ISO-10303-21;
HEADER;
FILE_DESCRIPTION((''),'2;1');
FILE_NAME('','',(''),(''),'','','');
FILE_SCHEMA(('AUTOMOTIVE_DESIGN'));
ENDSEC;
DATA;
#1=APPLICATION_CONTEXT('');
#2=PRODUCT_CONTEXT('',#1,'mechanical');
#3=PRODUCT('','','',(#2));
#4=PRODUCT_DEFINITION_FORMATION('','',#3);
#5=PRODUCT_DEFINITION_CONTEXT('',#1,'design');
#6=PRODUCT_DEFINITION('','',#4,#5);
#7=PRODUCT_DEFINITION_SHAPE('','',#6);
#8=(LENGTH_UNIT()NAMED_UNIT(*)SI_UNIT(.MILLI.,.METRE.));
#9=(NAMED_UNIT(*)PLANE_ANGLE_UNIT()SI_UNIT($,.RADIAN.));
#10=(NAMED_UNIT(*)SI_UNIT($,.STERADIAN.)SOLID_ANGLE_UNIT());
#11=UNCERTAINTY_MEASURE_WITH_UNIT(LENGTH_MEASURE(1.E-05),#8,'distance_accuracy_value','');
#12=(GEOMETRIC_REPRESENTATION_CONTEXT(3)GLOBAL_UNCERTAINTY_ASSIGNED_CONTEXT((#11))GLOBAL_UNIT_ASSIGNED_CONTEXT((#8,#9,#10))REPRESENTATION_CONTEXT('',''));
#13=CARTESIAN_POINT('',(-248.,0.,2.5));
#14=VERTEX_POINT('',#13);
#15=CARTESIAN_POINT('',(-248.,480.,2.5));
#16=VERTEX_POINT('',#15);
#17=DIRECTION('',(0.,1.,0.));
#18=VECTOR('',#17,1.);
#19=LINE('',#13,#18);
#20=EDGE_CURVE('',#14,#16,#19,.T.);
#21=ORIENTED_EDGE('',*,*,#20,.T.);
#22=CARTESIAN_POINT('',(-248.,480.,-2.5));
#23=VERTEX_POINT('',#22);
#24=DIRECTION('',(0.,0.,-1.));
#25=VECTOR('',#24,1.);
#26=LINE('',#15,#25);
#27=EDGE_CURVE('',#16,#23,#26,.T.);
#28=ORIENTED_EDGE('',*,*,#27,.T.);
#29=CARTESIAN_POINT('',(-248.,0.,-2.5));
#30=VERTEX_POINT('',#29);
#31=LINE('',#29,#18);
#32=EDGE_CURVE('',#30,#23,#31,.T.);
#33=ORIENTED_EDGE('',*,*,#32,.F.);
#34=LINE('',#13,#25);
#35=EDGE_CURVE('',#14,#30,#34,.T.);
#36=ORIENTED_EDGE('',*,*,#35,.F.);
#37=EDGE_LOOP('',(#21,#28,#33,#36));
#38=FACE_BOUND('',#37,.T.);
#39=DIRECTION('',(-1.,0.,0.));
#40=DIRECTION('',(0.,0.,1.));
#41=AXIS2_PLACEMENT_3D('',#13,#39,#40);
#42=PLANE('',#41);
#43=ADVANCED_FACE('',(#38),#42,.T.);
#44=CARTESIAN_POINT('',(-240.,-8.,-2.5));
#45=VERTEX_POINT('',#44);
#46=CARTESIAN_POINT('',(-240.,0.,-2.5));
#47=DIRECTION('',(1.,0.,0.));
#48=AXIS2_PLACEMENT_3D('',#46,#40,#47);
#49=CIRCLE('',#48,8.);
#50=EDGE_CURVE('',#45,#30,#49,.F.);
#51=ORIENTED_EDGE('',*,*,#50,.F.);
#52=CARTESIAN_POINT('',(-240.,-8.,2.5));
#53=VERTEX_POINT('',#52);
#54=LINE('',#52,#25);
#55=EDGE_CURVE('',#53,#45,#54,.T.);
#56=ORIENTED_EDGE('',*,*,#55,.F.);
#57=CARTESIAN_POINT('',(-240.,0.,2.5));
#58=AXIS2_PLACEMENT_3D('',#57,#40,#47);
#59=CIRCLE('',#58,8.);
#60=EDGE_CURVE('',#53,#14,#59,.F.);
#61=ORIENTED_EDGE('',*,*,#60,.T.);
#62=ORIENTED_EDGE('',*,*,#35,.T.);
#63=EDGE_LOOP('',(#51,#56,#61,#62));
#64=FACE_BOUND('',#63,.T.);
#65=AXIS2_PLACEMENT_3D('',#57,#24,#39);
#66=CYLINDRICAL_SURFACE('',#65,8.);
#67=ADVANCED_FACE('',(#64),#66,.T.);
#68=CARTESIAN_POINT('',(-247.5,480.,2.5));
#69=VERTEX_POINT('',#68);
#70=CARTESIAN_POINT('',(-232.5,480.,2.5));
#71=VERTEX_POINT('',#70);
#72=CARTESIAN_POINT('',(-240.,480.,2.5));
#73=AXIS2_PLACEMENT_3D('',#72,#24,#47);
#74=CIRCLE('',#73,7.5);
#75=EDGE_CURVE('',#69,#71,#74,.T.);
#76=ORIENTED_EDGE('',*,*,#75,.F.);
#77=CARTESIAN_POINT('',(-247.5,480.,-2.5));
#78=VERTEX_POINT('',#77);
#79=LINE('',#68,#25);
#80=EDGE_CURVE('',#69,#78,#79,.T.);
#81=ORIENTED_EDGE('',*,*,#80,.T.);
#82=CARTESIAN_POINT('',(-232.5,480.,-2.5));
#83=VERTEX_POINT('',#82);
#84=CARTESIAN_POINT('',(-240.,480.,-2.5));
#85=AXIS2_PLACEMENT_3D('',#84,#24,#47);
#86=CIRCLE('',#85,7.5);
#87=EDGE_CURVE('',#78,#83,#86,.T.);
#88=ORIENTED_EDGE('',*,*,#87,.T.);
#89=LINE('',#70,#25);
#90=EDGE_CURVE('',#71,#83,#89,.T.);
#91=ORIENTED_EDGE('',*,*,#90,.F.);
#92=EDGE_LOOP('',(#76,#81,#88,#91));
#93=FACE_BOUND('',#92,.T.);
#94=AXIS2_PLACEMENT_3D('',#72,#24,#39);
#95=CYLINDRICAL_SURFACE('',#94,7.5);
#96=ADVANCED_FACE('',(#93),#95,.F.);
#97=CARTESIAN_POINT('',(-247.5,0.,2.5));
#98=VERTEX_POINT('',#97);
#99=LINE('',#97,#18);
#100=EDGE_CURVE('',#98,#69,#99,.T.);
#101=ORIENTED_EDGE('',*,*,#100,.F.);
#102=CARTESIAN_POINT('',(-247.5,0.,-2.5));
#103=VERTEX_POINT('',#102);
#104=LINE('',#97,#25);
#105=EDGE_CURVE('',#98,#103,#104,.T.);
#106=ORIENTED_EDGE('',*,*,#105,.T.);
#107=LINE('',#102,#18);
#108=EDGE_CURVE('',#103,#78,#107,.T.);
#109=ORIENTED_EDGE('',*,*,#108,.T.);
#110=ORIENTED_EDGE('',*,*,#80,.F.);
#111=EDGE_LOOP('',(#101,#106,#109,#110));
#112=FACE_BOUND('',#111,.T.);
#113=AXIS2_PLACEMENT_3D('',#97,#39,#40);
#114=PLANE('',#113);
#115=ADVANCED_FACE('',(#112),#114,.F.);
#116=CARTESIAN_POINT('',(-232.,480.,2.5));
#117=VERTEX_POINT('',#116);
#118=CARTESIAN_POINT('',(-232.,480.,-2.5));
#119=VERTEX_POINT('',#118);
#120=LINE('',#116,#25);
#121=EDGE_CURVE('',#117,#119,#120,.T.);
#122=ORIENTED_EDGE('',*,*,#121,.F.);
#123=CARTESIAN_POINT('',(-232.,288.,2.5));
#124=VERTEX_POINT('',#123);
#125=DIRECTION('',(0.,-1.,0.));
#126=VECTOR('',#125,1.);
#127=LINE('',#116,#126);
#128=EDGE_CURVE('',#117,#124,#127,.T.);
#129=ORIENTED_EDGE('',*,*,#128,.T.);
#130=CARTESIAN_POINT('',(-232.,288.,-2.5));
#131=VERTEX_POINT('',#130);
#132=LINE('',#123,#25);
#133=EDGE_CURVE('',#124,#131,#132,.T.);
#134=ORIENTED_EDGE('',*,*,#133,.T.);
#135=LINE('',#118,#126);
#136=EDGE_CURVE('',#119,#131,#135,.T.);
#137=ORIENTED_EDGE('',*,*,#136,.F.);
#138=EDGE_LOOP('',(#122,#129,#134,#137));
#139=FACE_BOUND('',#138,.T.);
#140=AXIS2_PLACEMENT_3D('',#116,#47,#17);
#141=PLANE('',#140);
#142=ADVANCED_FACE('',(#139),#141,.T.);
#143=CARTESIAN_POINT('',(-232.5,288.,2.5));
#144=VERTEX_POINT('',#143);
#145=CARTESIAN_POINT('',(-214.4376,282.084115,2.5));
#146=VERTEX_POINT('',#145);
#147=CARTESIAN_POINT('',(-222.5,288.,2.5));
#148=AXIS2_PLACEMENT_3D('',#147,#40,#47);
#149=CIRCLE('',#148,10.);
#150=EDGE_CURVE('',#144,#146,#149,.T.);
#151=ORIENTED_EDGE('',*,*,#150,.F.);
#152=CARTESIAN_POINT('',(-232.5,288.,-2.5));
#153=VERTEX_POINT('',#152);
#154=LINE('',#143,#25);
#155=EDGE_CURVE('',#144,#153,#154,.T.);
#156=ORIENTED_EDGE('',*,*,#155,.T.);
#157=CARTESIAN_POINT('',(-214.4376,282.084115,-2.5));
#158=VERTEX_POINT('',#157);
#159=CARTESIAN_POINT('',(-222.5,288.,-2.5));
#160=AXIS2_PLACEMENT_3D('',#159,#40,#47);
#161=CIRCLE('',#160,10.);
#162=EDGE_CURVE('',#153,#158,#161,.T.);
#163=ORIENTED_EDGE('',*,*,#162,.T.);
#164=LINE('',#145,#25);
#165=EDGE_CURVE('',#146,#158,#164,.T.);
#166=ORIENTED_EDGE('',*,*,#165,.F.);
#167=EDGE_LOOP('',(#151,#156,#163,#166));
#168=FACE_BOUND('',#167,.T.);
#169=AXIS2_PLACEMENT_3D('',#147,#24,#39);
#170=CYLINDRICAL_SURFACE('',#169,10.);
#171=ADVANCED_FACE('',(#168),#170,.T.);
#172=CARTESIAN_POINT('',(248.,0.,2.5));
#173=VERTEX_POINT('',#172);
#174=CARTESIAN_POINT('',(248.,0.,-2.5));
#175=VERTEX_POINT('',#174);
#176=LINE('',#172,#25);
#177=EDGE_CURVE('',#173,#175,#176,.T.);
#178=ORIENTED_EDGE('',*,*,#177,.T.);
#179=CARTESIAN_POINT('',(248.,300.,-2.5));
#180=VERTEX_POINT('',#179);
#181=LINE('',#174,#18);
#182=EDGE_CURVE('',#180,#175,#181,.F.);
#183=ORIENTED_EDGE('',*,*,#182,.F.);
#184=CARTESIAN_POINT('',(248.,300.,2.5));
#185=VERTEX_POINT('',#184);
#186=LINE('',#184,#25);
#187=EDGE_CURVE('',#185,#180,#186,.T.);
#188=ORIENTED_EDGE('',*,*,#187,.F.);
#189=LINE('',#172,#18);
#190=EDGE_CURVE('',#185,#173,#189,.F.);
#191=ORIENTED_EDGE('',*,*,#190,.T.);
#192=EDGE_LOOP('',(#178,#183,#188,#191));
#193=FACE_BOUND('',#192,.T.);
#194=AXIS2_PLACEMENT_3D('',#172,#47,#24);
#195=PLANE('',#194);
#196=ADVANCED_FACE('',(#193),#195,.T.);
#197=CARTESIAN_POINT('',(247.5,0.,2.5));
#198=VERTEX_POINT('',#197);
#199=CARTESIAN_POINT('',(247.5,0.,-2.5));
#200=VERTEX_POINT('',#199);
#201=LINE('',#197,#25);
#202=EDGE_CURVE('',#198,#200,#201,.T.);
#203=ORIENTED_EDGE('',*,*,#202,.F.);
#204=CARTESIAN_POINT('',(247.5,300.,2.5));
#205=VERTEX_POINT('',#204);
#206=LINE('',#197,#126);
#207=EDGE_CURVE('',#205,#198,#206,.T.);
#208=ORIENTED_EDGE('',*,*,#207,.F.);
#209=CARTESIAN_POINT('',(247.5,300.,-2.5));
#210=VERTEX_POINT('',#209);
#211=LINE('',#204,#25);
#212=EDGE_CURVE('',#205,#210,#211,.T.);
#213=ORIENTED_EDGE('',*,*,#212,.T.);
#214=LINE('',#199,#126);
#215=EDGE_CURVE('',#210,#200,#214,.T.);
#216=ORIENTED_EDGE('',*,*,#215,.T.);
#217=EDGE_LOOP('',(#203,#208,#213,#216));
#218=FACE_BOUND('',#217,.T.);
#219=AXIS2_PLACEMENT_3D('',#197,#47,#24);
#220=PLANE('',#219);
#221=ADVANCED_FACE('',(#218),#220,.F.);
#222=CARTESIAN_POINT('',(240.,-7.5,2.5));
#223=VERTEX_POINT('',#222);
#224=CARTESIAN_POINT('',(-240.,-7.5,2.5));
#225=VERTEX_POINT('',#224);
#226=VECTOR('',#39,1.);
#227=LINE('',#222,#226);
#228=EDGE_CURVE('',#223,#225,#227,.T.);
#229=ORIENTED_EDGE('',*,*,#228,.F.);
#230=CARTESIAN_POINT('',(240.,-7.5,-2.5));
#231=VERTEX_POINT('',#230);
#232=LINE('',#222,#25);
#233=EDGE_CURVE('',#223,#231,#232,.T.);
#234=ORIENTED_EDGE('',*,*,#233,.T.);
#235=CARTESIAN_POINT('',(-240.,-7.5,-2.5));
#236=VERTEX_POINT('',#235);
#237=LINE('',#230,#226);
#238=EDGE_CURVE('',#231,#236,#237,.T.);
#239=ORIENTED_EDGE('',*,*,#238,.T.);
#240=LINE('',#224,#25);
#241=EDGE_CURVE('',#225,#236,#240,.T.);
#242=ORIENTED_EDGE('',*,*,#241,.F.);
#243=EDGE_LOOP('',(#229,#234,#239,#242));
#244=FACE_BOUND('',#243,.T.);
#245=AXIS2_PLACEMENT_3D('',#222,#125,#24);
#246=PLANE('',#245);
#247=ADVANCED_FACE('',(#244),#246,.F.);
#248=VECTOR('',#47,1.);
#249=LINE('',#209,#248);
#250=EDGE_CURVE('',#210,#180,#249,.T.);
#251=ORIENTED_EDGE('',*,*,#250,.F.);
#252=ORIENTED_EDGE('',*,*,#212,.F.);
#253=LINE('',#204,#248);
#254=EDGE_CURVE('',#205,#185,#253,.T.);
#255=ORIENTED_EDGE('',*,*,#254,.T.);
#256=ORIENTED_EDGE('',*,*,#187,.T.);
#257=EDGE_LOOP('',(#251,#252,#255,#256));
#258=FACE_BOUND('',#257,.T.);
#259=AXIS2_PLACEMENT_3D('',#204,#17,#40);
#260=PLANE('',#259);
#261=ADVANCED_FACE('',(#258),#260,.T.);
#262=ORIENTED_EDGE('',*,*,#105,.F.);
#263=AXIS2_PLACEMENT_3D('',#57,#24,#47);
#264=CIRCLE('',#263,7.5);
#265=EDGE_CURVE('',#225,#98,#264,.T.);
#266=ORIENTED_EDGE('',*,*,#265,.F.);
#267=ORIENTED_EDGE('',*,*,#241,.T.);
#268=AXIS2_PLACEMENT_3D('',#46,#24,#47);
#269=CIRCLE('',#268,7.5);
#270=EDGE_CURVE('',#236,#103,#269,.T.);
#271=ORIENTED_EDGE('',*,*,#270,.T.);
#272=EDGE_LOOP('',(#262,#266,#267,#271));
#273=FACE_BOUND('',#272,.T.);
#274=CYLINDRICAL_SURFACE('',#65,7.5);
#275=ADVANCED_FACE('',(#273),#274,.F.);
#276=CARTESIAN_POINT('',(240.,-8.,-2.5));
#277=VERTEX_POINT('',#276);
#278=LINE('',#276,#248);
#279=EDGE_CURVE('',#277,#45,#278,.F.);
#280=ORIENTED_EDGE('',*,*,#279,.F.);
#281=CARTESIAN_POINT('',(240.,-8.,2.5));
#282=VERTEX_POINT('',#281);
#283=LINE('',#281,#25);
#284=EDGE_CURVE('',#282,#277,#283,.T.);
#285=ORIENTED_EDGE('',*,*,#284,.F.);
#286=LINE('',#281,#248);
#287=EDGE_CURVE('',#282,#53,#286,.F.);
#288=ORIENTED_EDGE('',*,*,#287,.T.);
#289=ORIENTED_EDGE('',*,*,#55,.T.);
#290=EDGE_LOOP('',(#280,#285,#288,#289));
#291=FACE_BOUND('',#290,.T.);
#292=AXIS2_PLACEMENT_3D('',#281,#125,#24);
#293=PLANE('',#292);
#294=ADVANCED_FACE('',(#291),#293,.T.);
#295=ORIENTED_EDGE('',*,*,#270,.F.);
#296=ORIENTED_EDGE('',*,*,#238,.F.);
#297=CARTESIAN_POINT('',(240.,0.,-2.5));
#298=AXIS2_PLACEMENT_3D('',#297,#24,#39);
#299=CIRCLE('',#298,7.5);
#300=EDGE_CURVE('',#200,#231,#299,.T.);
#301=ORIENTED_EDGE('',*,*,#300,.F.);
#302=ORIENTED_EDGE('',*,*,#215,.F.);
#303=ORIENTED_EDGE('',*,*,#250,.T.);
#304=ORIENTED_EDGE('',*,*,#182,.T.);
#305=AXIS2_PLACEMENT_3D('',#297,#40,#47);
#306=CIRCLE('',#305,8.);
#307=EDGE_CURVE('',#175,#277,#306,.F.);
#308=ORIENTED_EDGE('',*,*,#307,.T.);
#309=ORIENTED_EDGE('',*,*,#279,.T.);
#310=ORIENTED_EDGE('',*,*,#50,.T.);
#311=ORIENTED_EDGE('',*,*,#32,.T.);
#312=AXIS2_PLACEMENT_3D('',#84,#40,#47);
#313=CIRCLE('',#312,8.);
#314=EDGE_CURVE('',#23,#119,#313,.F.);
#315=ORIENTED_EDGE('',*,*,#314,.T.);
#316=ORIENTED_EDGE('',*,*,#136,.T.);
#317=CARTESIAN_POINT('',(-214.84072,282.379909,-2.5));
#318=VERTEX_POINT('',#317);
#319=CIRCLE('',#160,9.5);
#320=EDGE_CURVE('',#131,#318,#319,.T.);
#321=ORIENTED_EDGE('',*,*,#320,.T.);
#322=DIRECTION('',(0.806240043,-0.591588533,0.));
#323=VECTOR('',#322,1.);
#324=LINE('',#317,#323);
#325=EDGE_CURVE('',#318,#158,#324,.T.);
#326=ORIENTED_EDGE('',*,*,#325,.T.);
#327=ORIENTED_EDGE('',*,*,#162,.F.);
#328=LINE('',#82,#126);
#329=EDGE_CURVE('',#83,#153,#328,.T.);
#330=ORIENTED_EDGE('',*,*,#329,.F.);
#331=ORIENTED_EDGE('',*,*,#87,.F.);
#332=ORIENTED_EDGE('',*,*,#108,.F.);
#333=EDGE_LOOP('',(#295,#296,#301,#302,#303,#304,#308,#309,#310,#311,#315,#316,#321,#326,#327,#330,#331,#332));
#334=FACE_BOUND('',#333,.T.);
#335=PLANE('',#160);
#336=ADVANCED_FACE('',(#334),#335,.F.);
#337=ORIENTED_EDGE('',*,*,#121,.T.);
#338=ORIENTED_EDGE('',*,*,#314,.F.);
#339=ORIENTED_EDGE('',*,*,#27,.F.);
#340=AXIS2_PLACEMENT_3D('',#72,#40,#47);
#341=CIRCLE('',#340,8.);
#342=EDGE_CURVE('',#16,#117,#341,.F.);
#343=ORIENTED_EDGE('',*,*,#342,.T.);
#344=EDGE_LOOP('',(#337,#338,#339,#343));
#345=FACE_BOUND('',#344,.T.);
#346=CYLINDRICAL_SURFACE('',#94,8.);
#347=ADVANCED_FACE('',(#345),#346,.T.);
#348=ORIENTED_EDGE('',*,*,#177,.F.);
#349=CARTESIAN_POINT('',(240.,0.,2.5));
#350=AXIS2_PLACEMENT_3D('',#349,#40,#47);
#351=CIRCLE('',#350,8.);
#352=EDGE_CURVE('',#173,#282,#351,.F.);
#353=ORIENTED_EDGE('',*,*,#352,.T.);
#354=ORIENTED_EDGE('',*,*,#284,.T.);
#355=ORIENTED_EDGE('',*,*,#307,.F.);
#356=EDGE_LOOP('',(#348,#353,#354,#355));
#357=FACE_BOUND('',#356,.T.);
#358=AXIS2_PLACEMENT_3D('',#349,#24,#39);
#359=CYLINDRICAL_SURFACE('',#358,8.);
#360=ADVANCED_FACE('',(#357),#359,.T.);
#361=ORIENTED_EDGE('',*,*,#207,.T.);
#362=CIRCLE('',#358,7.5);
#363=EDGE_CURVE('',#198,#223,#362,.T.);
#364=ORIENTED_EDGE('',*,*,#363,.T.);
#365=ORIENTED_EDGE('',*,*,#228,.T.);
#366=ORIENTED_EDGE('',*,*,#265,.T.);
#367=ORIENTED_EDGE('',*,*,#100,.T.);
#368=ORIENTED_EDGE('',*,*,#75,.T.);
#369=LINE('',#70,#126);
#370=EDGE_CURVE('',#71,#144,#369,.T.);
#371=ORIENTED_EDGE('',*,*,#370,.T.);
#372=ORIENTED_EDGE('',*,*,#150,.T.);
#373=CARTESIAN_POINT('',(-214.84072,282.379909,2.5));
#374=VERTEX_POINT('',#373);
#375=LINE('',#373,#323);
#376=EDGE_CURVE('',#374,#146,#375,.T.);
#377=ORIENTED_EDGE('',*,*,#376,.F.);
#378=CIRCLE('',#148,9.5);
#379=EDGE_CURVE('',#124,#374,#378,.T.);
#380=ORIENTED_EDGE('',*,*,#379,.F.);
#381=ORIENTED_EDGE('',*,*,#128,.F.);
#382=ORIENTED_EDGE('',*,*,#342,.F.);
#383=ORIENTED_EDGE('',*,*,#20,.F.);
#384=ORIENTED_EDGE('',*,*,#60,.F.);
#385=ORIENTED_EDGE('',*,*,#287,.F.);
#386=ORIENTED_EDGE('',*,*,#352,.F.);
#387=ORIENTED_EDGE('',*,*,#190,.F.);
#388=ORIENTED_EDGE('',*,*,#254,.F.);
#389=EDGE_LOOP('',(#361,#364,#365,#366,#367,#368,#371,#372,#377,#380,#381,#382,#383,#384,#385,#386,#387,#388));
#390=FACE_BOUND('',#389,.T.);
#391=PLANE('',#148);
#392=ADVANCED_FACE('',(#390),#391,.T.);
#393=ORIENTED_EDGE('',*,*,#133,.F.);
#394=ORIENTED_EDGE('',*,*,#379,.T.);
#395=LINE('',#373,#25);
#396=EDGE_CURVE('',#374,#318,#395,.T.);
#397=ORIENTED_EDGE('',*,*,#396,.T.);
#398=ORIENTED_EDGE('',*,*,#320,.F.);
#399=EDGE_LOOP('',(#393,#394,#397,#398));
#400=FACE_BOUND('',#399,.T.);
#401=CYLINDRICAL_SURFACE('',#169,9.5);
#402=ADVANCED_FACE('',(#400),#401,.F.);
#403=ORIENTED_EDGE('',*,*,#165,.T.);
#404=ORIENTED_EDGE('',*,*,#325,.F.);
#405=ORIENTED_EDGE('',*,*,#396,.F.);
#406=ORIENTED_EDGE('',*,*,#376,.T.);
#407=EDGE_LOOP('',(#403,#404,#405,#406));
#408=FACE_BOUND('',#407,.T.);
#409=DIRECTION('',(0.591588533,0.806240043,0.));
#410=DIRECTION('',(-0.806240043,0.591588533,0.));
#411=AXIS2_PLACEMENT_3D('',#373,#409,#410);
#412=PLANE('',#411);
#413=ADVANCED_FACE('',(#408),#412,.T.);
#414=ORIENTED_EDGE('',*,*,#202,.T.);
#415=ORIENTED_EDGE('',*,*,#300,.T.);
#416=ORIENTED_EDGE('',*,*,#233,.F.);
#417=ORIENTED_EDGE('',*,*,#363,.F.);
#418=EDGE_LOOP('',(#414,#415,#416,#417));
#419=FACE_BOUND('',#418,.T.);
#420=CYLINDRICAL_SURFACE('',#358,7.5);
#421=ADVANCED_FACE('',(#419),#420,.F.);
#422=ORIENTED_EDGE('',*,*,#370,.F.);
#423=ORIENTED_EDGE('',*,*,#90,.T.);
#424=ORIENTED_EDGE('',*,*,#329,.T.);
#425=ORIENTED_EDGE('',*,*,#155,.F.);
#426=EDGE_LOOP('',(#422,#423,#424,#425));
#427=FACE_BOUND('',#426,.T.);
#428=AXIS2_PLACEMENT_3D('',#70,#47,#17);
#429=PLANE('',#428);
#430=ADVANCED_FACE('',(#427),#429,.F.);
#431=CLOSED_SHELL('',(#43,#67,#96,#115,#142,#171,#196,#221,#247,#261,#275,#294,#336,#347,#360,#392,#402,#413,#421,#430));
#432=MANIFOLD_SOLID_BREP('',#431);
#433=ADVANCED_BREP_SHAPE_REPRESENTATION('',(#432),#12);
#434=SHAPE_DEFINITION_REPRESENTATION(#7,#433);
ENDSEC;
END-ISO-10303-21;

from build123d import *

# Parameters (mm, degrees)
LINEAR_AUSTRAGEN_D_NN1_DEPTH = 2.5


with BuildPart() as part:
    # Skizze1 → Linear-Austragen-Dünn1 (new, symmetric)
    with BuildSketch(Plane.XY):
        with BuildLine():
            Line((247.5, 300), (247.5, 0))
            ThreePointArc((247.5, 0), (245.303300859, -5.303300859), (240, -7.5))
            Line((240, -7.5), (-240, -7.5))
            ThreePointArc((-240, -7.5), (-245.303300859, -5.303300859), (-247.5, 0))
            Line((-247.5, 0), (-247.5, 480))
            ThreePointArc((-247.5, 480), (-240, 487.5), (-232.5, 480))
            Line((-232.5, 480), (-232.5, 288))
            ThreePointArc((-232.5, 288), (-225.612554872, 278.496737288), (-214.437599567, 282.084114669))
            Line((-214.437599567, 282.084114669), (-214.840719588, 282.379908935))
            ThreePointArc((-214.840719588, 282.379908935), (-225.456927129, 278.971900424), (-232, 288))
            Line((-232, 288), (-232, 480))
            ThreePointArc((-232, 480), (-240, 488), (-248, 480))
            Line((-248, 480), (-248, 0))
            ThreePointArc((-248, 0), (-245.656854249, -5.656854249), (-240, -8))
            Line((-240, -8), (240, -8))
            ThreePointArc((240, -8), (245.656854249, -5.656854249), (248, 0))
            Line((248, 0), (248, 300))
            Line((248, 300), (247.5, 300))
        make_face()
    extrude(amount=LINEAR_AUSTRAGEN_D_NN1_DEPTH, both=True)


solid = part.part
